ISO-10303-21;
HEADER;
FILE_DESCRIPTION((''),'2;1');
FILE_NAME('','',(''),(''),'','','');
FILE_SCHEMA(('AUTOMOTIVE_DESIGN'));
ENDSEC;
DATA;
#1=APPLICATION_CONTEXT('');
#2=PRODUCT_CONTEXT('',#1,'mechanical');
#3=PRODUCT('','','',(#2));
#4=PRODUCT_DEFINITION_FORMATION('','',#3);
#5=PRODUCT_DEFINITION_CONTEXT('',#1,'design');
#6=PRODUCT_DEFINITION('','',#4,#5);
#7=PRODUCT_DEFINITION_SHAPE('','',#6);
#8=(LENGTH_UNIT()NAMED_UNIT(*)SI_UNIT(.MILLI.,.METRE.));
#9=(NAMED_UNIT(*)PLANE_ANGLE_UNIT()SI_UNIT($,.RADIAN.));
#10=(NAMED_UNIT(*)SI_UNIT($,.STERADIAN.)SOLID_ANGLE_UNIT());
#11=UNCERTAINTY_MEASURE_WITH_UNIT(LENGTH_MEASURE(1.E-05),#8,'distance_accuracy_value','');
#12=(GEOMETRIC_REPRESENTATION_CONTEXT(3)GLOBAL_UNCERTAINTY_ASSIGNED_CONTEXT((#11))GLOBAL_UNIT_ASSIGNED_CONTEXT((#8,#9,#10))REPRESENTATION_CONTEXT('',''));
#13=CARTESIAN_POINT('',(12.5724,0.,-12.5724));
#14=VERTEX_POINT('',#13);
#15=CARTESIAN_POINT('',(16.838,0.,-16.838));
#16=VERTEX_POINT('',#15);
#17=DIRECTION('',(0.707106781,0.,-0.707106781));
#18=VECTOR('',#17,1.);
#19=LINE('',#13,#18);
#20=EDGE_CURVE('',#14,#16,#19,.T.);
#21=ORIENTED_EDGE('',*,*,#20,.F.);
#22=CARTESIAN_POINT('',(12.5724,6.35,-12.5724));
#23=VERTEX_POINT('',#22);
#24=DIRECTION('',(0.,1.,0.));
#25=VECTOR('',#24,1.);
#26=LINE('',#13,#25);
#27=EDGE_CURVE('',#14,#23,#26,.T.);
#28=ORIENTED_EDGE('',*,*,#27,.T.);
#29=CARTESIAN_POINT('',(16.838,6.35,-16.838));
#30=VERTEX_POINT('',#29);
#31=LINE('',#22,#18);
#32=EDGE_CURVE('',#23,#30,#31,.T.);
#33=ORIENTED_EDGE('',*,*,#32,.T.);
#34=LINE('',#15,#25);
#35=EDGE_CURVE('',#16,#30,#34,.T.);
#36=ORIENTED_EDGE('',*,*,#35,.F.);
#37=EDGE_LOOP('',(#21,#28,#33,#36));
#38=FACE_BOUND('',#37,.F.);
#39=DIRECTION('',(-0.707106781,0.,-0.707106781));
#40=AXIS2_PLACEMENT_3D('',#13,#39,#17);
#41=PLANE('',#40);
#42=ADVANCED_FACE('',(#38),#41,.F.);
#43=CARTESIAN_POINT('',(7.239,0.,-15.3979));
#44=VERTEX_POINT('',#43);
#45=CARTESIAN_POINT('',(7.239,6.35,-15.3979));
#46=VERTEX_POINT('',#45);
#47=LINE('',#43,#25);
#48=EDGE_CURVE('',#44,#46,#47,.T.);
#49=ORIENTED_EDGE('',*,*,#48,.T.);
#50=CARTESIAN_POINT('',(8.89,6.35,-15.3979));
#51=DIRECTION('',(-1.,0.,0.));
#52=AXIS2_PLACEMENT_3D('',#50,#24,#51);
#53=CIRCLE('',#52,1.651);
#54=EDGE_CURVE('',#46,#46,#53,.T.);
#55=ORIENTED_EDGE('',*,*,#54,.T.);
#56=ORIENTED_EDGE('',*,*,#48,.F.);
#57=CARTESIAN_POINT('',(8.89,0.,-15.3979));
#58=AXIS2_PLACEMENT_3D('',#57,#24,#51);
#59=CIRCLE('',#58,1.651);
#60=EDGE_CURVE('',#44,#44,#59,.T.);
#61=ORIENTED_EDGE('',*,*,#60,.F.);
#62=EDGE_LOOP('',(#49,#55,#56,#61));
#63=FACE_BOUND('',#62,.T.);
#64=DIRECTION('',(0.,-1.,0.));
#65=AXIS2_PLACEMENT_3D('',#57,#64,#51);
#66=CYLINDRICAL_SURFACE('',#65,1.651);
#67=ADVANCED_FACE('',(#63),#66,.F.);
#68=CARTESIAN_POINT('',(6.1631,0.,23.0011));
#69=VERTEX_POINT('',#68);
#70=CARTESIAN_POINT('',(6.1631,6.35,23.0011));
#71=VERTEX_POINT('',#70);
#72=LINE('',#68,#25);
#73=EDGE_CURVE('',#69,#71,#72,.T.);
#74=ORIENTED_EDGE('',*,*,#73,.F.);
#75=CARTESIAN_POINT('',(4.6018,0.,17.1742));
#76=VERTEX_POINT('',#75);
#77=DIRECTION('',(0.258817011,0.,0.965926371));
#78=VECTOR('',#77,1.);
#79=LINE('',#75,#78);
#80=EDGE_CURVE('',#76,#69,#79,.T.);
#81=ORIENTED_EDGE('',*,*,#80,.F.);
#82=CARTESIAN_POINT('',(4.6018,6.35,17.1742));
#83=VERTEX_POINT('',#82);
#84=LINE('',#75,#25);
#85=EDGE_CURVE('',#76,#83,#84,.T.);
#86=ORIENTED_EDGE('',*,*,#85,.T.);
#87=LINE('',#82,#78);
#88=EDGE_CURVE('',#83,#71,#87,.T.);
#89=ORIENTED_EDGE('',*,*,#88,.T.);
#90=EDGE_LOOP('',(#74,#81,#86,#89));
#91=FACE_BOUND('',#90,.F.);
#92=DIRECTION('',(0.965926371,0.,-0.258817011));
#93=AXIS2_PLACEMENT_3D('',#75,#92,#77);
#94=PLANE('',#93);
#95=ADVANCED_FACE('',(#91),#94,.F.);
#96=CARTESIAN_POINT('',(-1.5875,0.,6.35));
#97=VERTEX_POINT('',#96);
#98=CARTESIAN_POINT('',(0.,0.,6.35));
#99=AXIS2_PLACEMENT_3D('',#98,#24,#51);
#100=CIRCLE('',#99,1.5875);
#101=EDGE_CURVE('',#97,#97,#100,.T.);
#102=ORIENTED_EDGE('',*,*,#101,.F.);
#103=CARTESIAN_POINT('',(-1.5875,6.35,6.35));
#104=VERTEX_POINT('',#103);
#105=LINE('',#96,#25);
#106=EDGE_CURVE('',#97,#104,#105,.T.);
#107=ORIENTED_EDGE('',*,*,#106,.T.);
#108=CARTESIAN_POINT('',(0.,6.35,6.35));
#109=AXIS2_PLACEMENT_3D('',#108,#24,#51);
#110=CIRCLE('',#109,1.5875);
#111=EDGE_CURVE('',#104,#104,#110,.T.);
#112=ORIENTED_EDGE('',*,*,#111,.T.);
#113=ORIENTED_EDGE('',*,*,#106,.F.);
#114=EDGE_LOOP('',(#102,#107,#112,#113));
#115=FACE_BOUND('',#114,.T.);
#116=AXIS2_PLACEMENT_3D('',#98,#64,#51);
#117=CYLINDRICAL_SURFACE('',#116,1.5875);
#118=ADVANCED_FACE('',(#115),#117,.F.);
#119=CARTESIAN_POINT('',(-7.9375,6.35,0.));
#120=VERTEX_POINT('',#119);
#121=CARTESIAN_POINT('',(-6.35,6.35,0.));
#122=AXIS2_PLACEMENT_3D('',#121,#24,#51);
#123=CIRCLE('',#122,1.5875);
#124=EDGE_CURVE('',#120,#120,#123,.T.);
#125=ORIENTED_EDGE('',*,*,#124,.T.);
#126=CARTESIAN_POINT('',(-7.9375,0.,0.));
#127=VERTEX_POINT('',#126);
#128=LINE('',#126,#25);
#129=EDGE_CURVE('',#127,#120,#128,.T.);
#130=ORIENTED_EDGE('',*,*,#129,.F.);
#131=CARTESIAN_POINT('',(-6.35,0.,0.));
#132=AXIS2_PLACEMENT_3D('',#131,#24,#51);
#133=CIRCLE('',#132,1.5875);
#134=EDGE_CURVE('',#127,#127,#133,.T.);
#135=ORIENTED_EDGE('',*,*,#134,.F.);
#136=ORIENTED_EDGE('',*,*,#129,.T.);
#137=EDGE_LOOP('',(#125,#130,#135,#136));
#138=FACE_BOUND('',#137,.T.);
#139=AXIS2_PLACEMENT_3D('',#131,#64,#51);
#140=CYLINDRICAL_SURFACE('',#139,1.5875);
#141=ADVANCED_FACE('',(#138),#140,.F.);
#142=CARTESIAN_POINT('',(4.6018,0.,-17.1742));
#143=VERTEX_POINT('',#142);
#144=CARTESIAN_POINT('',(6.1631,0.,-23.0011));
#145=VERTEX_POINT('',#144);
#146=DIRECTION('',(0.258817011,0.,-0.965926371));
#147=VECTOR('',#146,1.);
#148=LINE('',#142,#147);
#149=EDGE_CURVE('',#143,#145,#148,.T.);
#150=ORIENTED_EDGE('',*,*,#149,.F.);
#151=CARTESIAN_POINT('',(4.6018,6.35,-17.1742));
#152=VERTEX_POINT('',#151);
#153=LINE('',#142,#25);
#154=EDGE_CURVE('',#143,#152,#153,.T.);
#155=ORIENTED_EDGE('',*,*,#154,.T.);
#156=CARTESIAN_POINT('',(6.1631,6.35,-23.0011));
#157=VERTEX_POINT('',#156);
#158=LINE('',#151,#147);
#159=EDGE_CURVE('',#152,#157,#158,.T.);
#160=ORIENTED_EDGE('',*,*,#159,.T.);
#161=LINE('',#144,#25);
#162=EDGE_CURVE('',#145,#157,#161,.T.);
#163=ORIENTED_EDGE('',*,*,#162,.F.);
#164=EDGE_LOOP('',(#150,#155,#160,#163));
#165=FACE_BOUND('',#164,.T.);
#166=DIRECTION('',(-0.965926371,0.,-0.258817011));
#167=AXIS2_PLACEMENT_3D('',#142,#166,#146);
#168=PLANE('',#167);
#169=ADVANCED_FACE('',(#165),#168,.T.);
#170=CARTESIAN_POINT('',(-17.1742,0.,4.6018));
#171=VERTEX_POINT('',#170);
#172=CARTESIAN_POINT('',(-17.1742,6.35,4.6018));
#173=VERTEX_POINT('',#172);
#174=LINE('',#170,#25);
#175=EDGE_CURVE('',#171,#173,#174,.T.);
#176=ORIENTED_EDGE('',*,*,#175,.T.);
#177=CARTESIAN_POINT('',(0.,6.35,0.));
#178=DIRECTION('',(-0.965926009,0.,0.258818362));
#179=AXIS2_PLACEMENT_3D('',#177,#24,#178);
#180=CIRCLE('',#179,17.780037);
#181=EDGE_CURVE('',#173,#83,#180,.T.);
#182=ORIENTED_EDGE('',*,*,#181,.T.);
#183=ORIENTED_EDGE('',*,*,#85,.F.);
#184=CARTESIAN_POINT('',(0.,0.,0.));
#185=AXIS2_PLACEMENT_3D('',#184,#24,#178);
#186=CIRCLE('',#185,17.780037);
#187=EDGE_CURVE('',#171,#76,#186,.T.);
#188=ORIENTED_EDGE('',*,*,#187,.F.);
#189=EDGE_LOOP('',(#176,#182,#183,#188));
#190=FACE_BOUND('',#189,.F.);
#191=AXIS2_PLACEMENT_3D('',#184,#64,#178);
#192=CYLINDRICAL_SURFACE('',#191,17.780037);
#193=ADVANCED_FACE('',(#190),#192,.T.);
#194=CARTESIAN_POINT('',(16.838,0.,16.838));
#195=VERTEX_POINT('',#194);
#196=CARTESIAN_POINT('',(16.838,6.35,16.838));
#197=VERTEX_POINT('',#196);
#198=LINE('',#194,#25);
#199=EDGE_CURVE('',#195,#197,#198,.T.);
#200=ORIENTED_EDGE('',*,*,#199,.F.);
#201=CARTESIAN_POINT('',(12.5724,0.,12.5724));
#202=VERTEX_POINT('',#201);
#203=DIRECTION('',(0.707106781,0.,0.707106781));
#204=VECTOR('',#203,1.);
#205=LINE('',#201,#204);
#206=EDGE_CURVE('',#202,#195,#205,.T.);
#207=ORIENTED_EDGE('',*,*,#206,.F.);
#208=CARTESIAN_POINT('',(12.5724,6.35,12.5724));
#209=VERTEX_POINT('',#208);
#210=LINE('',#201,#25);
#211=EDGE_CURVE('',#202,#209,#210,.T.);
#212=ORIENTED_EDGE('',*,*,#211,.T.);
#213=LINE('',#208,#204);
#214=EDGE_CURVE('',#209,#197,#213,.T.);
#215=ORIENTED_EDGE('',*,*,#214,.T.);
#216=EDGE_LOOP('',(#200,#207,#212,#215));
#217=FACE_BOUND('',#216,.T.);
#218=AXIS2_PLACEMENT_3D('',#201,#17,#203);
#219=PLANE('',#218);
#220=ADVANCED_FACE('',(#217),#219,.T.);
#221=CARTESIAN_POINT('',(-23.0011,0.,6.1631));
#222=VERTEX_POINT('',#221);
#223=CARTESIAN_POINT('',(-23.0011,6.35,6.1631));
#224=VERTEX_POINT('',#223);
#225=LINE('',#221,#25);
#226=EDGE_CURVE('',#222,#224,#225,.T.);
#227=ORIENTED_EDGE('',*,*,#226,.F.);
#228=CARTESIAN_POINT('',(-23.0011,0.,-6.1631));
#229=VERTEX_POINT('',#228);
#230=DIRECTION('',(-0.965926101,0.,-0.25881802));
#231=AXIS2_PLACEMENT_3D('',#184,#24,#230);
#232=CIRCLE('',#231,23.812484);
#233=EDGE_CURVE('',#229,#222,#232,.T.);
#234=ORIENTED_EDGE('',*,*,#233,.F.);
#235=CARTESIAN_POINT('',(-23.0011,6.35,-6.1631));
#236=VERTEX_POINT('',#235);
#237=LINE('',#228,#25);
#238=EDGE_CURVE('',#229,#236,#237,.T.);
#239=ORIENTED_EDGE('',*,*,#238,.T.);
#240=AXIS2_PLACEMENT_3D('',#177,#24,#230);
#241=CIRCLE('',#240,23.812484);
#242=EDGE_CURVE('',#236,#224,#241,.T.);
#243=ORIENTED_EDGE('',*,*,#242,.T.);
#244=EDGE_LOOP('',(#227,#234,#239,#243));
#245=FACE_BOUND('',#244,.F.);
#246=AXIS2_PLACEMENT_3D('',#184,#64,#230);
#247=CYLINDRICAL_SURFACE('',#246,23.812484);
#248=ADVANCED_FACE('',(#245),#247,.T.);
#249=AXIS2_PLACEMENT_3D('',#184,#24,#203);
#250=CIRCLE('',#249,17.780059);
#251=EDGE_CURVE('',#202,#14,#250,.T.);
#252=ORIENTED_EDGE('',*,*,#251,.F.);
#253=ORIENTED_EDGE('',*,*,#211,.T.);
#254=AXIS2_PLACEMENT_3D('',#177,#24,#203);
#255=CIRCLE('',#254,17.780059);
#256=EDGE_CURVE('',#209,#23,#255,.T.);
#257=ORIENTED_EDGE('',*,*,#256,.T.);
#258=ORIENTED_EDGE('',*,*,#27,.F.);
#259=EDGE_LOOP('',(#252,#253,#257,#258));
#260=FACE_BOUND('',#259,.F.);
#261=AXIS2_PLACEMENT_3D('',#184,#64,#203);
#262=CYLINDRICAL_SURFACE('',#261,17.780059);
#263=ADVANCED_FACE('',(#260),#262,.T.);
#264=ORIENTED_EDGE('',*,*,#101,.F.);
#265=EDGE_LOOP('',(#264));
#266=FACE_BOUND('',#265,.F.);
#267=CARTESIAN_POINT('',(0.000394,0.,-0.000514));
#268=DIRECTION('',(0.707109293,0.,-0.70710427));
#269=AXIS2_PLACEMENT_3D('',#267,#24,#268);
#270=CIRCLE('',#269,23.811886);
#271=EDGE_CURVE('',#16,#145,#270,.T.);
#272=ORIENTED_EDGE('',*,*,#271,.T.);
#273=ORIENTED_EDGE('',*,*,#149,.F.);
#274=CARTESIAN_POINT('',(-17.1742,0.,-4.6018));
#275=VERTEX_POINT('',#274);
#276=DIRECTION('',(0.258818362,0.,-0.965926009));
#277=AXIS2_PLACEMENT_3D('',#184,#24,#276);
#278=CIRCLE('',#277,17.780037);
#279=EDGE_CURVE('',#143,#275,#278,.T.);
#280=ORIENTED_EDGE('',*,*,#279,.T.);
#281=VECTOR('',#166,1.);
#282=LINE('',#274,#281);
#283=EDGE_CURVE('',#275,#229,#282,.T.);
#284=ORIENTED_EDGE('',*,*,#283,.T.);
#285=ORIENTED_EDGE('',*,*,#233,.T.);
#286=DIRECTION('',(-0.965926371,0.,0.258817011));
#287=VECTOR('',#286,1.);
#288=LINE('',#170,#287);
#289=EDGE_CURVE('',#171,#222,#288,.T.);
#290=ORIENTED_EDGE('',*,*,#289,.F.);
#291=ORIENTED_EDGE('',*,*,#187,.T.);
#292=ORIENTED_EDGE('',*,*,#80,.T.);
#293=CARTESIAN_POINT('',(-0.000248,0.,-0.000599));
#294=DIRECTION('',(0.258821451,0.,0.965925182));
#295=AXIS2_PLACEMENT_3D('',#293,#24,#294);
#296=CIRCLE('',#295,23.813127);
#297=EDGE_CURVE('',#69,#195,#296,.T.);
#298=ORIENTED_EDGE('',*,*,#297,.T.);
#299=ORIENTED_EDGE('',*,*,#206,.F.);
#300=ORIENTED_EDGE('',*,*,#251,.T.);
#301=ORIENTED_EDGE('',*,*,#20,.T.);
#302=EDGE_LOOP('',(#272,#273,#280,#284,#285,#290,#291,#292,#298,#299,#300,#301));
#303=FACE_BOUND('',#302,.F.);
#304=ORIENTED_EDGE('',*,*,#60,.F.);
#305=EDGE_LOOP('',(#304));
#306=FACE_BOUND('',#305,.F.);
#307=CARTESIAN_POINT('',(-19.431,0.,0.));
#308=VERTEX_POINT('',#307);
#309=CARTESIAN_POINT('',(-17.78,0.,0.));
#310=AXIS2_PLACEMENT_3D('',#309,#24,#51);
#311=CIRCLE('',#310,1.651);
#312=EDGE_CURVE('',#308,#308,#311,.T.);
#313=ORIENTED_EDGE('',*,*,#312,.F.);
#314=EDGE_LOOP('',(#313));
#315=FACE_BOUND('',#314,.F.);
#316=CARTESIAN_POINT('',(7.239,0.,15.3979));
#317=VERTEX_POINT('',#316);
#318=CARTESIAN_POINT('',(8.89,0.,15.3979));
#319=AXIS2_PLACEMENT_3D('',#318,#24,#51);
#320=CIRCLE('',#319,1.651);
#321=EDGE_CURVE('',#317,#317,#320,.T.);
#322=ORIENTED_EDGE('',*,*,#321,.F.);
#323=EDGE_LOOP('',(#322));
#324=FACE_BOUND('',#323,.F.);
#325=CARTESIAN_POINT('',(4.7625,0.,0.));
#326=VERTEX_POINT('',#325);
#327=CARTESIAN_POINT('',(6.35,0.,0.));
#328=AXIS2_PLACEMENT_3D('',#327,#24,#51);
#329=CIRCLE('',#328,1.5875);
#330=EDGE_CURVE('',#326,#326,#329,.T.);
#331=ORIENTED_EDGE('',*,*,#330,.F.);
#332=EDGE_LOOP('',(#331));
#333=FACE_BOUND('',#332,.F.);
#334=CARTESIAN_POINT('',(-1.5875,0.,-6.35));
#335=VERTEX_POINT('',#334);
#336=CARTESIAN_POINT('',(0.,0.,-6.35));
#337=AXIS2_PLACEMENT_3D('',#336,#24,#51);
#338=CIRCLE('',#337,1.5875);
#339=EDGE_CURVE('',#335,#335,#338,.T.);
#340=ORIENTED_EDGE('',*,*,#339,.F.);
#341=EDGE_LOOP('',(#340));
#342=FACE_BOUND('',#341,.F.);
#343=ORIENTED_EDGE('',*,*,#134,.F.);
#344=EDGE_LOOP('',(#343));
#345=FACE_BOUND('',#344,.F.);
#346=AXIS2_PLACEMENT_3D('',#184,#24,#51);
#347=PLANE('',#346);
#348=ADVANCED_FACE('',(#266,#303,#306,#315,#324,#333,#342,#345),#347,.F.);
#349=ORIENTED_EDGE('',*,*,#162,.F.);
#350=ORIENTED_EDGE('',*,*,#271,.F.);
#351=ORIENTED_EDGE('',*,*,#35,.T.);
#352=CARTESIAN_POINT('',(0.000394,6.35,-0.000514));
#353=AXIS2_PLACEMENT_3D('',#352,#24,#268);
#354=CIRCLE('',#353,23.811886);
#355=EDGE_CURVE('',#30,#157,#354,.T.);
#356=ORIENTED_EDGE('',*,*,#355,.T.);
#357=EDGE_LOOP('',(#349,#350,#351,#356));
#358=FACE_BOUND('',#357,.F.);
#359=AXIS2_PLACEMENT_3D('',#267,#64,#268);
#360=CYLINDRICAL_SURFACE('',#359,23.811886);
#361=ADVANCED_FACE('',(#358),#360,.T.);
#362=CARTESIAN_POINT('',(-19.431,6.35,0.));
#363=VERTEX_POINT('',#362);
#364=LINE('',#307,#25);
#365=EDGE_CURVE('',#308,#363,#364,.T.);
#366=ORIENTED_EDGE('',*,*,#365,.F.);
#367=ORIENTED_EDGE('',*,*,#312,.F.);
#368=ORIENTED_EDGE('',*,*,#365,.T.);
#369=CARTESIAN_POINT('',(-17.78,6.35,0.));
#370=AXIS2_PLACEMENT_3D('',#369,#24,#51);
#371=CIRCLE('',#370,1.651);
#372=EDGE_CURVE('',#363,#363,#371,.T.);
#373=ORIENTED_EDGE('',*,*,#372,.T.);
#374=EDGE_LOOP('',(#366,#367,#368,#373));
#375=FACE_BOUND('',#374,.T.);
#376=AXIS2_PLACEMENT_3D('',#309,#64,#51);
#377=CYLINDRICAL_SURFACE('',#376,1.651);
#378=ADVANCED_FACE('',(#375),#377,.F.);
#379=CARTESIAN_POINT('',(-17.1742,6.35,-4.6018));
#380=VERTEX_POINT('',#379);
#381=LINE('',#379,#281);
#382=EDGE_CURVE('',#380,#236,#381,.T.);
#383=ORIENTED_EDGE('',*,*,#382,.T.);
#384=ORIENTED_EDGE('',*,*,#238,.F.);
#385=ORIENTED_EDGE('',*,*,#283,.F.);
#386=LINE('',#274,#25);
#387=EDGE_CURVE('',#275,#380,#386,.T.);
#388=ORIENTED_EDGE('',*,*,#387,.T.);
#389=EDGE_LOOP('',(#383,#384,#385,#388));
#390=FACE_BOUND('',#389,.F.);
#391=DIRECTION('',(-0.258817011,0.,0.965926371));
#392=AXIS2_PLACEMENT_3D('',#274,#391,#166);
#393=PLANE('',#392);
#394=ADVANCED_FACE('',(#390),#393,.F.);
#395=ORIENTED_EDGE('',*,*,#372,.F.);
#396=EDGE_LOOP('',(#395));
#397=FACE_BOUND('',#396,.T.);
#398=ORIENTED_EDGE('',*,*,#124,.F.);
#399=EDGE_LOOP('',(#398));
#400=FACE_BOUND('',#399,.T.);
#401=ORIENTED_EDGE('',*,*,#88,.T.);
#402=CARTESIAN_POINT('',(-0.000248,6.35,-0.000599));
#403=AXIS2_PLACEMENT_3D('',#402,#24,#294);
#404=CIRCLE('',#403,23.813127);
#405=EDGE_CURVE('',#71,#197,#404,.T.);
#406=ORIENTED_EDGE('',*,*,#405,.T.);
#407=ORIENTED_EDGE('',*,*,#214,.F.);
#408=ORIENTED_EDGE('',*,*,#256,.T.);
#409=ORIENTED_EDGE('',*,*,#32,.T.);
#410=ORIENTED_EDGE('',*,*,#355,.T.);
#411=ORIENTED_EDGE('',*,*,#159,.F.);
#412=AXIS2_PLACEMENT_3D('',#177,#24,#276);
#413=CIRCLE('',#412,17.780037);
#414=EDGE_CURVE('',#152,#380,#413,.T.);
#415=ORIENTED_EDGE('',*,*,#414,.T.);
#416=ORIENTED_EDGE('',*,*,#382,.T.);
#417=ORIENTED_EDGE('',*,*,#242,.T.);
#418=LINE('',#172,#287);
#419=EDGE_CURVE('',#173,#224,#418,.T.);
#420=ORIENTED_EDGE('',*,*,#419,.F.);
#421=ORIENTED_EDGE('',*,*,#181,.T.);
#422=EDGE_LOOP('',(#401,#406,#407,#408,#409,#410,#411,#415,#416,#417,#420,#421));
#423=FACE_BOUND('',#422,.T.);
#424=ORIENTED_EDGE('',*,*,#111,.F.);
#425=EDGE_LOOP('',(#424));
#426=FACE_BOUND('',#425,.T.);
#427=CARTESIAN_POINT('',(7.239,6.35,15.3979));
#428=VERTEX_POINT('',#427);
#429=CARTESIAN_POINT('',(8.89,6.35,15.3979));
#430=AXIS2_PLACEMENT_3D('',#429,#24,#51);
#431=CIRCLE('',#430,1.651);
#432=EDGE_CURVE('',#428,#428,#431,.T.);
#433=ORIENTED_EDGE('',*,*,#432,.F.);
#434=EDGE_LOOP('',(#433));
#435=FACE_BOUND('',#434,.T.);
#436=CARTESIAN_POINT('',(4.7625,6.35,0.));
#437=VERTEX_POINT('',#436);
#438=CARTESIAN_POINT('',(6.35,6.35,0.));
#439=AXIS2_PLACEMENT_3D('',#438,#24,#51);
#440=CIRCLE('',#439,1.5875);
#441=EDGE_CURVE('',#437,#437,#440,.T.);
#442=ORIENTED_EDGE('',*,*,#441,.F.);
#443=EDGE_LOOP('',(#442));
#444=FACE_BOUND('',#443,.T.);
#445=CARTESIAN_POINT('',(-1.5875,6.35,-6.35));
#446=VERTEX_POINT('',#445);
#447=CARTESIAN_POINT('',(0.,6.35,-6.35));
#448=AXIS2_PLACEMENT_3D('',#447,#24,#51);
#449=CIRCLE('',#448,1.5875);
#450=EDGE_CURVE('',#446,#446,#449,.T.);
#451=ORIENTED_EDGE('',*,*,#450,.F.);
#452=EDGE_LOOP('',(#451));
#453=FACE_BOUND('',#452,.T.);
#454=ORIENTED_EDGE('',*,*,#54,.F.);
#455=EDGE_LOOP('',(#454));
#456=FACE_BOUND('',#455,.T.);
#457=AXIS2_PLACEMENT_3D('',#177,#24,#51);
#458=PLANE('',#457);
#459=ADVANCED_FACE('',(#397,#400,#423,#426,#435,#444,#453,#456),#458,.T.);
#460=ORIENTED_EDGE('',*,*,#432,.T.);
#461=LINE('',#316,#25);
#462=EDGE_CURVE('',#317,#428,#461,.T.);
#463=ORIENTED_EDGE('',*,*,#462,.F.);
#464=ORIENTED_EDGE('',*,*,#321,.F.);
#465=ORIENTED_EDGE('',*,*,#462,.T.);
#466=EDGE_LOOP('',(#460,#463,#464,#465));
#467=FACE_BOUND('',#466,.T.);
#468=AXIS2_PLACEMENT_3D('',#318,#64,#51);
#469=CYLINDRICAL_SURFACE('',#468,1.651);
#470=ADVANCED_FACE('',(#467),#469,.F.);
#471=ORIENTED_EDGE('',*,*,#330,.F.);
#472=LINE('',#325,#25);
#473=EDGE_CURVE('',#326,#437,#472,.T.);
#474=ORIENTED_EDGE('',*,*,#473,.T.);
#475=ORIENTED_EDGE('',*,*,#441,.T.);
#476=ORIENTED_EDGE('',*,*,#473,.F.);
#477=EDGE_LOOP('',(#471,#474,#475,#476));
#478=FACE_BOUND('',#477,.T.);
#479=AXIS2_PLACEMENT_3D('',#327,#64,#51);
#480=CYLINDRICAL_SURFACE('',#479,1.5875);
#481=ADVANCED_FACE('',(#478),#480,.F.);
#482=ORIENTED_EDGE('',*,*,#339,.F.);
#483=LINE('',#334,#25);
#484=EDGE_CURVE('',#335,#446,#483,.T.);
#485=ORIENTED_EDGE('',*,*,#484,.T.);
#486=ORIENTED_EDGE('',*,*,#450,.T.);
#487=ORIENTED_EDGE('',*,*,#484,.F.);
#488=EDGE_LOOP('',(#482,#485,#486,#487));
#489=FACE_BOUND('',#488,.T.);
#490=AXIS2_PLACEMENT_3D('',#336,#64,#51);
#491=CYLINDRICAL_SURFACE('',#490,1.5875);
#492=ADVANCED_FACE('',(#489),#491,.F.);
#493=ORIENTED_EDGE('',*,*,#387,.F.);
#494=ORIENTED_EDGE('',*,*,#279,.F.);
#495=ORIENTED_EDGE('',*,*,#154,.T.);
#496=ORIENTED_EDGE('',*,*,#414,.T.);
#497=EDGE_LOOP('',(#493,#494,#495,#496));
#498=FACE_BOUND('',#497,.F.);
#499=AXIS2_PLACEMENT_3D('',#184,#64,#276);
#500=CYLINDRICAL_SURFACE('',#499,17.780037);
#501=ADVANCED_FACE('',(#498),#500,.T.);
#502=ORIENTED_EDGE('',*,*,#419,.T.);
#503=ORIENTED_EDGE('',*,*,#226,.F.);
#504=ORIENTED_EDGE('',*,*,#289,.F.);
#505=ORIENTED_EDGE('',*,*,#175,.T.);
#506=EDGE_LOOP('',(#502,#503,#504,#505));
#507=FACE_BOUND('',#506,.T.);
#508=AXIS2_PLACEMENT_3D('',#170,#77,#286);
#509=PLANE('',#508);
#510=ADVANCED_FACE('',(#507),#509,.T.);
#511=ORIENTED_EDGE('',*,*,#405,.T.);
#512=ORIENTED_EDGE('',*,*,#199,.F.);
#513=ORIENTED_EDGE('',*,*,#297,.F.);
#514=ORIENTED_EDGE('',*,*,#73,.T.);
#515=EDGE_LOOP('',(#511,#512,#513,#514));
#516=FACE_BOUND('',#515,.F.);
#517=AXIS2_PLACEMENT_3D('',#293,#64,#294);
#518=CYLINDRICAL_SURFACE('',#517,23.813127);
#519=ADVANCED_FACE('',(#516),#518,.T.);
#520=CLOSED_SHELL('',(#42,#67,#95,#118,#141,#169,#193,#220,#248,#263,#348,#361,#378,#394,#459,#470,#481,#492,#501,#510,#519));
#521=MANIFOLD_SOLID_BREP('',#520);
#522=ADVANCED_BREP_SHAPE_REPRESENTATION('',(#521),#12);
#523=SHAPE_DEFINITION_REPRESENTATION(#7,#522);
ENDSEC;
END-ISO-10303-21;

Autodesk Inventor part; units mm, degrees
ref_plane "YZ Plane" through (0, 0, 0) normal (1, 0, 0) x (0, 1, 0)
ref_plane "XZ Plane" through (0, 0, 0) normal (0, 1, 0) x (-1, 0, 0)
ref_plane "XY Plane" through (0, 0, 0) normal (0, 0, 1) x (1, 0, 0)
sketch "Sketch1" plane through (0, 0, 0) normal (0, 1, 0) x (-1, 0, 0)
  line L0 (17.1742, 4.6018) -> (23.0011, 6.1631)
  line L1 (17.1742, -4.6018) -> (23.0011, -6.1631)
  circle A0 centre (17.78, 0) radius 1.651
  line L2 (-12.5724, 12.5724) -> (-16.838, 16.838)
  line L3 (-4.6018, 17.1742) -> (-6.1631, 23.0011)
  circle A1 centre (-8.89, 15.3979) radius 1.651
  line L4 (-4.6018, -17.1742) -> (-6.1631, -23.0011)
  line L5 (-12.5724, -12.5724) -> (-16.838, -16.838)
  circle A2 centre (-8.89, -15.3979) radius 1.651
  arc A3 (-6.1631, 23.0011) -> (-16.838, 16.838) centre (0, 0) ccw
  arc A4 (-16.838, -16.838) -> (-6.1631, -23.0011) centre (0, 0) ccw
  arc A5 (23.0011, -6.1631) -> (23.0011, 6.1631) centre (0, 0) ccw
  arc A6 (-12.5724, 12.5724) -> (-12.5724, -12.5724) centre (0, 0) ccw
  arc A7 (-4.6018, -17.1742) -> (17.1742, -4.6018) centre (0, 0) ccw
  arc A8 (17.1742, 4.6018) -> (-4.6018, 17.1742) centre (0, 0) ccw
  circle A9 centre (6.35, 0) radius 1.5875
  circle A10 centre (0, 6.35) radius 1.5875
  circle A11 centre (-6.35, 0) radius 1.5875
  circle A12 centre (0, -6.35) radius 1.5875
  dimension "d3" = 3.302
  dimension "d9" = 3.175
  dimension "d12" = 360
  dimension "d15" = 6.35
extrude "Extrusion1" add sketch "Sketch1" along normal blind 6.35
properties part number "Hub_Adapter_Acryllic"
